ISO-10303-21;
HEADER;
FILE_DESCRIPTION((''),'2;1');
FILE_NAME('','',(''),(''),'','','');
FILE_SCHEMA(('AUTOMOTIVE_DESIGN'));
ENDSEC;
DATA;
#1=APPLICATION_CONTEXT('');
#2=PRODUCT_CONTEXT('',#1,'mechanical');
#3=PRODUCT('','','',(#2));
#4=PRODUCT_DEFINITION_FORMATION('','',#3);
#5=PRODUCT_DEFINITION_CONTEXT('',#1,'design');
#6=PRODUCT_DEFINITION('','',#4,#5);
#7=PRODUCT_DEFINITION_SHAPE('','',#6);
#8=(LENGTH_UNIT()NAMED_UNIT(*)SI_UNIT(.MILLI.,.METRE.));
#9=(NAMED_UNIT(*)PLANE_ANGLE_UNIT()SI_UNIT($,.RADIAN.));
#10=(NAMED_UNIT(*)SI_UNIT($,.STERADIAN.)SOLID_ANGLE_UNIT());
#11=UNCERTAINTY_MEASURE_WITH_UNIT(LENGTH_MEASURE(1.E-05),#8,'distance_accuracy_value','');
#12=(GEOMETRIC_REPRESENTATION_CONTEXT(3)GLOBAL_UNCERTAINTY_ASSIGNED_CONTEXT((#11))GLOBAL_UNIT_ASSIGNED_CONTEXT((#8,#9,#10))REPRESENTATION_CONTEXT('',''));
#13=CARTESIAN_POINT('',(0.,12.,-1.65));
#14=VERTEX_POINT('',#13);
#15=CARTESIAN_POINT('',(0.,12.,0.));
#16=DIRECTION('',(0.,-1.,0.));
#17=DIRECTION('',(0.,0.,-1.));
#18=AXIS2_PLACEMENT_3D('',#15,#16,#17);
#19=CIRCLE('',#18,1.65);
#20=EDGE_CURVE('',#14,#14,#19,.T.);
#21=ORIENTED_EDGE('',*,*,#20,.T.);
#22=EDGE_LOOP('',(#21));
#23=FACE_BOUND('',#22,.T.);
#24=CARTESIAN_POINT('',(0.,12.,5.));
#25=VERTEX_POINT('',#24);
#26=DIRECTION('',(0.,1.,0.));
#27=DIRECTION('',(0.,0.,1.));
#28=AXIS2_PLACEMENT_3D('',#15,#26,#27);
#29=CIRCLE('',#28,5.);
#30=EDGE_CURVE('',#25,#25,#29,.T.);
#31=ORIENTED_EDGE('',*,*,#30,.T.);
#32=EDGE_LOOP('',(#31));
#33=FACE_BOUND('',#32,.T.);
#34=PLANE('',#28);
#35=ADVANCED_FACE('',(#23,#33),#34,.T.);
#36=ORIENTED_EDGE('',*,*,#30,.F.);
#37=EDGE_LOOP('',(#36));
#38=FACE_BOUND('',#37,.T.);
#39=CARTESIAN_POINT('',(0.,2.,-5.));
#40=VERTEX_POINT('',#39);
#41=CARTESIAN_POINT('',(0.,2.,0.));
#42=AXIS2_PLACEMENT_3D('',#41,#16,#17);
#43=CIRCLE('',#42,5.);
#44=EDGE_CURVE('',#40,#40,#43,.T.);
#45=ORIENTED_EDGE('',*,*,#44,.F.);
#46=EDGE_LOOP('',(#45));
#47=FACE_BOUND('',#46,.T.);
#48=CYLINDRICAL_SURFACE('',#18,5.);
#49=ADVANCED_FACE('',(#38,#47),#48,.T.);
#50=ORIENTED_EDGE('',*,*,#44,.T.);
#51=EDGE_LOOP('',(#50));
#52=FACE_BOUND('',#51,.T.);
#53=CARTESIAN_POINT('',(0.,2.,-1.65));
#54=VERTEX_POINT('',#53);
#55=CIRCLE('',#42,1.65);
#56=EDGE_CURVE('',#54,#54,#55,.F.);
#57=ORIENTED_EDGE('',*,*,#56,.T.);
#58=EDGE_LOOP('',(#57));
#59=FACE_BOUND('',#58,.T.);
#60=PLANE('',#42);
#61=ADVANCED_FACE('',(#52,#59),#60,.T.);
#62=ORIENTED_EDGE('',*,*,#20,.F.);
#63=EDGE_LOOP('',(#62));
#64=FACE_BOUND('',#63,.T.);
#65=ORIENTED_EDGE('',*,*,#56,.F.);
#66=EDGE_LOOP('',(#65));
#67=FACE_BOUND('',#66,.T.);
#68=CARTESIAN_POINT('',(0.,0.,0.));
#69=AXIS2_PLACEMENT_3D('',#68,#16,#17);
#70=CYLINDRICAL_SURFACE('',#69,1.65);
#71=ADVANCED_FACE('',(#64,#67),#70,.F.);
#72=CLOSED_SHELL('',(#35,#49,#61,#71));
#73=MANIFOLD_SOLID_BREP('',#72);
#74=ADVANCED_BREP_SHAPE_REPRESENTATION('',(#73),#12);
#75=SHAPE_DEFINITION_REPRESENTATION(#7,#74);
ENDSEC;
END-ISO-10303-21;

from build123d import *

# Parameters (mm, degrees)
SKETCH_1_R                   = 5
EXTRUDE_1_DEPTH              = 12
HOLE_WIZARD_M4_1_D           = 3.3
HOLE_WIZARD_M4_1_CSINK_D     = 4.05
HOLE_WIZARD_M4_1_CSINK_ANGLE = 90
SKETCH_7_R                   = 5
CUT_EXTRUDE_1_DEPTH          = 2


with BuildPart() as part:
    # 草图1 → 凸台-拉伸1 (new body)
    with BuildSketch(Plane(origin=(0, 0, 0), x_dir=(1, 0, 0), z_dir=(0, 1, 0))):
        with Locations(Location((0, 0, 0), (0, 0, 270))):
            Circle(SKETCH_1_R)
    extrude(amount=EXTRUDE_1_DEPTH)

    # M4 螺纹孔1 (through all)
    with Locations(Plane.XZ):
        with Locations((0, 0)):
            CounterSinkHole(HOLE_WIZARD_M4_1_D / 2, HOLE_WIZARD_M4_1_CSINK_D / 2, counter_sink_angle=HOLE_WIZARD_M4_1_CSINK_ANGLE)

    # 草图7 → 切除-拉伸1 (cut)
    with BuildSketch(Plane.XZ):
        with Locations(Location((0, 0, 0), (0, 0, 270))):
            Circle(SKETCH_7_R)
    extrude(amount=-CUT_EXTRUDE_1_DEPTH, mode=Mode.SUBTRACT)


solid = part.part
